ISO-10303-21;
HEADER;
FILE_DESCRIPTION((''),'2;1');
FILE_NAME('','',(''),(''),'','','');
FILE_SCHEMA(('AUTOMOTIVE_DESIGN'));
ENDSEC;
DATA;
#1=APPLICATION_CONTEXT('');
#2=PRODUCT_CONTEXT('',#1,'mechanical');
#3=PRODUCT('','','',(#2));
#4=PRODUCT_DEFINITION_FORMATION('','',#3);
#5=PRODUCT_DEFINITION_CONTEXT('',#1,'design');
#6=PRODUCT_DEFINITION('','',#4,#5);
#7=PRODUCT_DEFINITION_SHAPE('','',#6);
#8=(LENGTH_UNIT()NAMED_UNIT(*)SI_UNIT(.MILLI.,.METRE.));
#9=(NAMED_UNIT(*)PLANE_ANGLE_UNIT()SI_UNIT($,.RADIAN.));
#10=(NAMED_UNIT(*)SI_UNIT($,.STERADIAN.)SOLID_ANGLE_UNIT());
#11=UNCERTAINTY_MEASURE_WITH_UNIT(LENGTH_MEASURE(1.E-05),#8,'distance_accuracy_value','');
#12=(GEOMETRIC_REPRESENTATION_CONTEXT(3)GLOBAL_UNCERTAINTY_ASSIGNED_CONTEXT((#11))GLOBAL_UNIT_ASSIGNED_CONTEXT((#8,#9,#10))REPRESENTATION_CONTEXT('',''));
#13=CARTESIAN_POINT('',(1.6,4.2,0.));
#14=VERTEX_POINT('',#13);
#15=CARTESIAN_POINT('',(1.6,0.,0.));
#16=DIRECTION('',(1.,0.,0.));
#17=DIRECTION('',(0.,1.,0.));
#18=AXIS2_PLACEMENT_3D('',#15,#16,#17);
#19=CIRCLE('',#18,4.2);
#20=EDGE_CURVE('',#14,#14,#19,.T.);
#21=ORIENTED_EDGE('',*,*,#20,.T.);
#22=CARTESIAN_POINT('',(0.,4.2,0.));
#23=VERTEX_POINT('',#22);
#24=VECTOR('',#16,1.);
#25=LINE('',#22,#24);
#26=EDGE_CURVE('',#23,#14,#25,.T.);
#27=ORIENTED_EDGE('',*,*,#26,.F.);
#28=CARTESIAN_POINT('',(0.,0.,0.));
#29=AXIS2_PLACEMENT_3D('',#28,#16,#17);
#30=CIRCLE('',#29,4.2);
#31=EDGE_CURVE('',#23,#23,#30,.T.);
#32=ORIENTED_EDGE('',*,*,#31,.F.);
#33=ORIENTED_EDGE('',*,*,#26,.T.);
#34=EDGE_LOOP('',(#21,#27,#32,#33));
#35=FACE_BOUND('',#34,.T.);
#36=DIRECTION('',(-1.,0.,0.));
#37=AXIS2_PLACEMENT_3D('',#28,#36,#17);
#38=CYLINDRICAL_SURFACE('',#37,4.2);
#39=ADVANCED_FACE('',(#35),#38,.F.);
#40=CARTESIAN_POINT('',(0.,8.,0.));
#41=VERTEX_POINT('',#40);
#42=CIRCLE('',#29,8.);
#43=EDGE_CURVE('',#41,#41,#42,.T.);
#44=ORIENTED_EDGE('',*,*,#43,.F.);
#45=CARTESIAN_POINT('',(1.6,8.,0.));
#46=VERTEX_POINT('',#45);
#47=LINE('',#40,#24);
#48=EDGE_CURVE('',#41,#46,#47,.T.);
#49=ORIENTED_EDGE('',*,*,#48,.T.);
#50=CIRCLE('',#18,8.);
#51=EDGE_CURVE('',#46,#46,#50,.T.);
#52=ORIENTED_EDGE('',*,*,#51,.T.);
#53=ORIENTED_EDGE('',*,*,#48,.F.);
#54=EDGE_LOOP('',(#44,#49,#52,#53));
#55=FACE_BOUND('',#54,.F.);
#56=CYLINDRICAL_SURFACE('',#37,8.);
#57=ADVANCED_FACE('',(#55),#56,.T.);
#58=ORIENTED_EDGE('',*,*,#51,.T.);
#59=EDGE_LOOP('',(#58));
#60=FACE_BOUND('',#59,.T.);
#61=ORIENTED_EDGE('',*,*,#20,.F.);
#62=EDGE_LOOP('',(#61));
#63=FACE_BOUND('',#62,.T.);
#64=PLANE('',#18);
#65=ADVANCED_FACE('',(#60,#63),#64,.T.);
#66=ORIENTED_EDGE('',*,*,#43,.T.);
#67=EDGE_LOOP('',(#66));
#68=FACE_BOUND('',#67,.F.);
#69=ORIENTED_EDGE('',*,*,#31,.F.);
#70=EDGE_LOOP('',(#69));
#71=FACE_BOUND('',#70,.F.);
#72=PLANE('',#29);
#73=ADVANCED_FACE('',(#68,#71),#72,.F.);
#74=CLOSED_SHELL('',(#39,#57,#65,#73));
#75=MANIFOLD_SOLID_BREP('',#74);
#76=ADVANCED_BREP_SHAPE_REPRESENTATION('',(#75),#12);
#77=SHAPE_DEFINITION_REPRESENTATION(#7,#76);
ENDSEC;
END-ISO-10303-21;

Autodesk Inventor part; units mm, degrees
ref_plane "YZ Plane" through (0, 0, 0) normal (1, 0, 0) x (0, 1, 0)
ref_plane "XZ Plane" through (0, 0, 0) normal (0, 1, 0) x (-1, 0, 0)
sketch "Sketch" plane through (0, 0, 0) normal (1, 0, 0) x (0, 1, 0)
  circle A0 centre (0, 0) radius 8
  circle A1 centre (0, 0) radius 4.2
  dimension "d0" = 8.4
  dimension "d1" = 16
extrude "Body" add sketch "Sketch" along normal blind 1.6
ref_plane "Work Plane1" through (0, 0, 0) normal (0, 0, 1) x (1, 0, 0)
equation "\"d0\" = SD1"
equation "\"d1\" = SD2"
equation "\"d2\" = SD"
equation "\"SD1\" = 8.4"
equation "\"SD2\" = 16"
equation "\"SD\" = 1.6"
equation "\"NND\" = 8"
properties part number "DIN125-A8,4C" material "Steel"
